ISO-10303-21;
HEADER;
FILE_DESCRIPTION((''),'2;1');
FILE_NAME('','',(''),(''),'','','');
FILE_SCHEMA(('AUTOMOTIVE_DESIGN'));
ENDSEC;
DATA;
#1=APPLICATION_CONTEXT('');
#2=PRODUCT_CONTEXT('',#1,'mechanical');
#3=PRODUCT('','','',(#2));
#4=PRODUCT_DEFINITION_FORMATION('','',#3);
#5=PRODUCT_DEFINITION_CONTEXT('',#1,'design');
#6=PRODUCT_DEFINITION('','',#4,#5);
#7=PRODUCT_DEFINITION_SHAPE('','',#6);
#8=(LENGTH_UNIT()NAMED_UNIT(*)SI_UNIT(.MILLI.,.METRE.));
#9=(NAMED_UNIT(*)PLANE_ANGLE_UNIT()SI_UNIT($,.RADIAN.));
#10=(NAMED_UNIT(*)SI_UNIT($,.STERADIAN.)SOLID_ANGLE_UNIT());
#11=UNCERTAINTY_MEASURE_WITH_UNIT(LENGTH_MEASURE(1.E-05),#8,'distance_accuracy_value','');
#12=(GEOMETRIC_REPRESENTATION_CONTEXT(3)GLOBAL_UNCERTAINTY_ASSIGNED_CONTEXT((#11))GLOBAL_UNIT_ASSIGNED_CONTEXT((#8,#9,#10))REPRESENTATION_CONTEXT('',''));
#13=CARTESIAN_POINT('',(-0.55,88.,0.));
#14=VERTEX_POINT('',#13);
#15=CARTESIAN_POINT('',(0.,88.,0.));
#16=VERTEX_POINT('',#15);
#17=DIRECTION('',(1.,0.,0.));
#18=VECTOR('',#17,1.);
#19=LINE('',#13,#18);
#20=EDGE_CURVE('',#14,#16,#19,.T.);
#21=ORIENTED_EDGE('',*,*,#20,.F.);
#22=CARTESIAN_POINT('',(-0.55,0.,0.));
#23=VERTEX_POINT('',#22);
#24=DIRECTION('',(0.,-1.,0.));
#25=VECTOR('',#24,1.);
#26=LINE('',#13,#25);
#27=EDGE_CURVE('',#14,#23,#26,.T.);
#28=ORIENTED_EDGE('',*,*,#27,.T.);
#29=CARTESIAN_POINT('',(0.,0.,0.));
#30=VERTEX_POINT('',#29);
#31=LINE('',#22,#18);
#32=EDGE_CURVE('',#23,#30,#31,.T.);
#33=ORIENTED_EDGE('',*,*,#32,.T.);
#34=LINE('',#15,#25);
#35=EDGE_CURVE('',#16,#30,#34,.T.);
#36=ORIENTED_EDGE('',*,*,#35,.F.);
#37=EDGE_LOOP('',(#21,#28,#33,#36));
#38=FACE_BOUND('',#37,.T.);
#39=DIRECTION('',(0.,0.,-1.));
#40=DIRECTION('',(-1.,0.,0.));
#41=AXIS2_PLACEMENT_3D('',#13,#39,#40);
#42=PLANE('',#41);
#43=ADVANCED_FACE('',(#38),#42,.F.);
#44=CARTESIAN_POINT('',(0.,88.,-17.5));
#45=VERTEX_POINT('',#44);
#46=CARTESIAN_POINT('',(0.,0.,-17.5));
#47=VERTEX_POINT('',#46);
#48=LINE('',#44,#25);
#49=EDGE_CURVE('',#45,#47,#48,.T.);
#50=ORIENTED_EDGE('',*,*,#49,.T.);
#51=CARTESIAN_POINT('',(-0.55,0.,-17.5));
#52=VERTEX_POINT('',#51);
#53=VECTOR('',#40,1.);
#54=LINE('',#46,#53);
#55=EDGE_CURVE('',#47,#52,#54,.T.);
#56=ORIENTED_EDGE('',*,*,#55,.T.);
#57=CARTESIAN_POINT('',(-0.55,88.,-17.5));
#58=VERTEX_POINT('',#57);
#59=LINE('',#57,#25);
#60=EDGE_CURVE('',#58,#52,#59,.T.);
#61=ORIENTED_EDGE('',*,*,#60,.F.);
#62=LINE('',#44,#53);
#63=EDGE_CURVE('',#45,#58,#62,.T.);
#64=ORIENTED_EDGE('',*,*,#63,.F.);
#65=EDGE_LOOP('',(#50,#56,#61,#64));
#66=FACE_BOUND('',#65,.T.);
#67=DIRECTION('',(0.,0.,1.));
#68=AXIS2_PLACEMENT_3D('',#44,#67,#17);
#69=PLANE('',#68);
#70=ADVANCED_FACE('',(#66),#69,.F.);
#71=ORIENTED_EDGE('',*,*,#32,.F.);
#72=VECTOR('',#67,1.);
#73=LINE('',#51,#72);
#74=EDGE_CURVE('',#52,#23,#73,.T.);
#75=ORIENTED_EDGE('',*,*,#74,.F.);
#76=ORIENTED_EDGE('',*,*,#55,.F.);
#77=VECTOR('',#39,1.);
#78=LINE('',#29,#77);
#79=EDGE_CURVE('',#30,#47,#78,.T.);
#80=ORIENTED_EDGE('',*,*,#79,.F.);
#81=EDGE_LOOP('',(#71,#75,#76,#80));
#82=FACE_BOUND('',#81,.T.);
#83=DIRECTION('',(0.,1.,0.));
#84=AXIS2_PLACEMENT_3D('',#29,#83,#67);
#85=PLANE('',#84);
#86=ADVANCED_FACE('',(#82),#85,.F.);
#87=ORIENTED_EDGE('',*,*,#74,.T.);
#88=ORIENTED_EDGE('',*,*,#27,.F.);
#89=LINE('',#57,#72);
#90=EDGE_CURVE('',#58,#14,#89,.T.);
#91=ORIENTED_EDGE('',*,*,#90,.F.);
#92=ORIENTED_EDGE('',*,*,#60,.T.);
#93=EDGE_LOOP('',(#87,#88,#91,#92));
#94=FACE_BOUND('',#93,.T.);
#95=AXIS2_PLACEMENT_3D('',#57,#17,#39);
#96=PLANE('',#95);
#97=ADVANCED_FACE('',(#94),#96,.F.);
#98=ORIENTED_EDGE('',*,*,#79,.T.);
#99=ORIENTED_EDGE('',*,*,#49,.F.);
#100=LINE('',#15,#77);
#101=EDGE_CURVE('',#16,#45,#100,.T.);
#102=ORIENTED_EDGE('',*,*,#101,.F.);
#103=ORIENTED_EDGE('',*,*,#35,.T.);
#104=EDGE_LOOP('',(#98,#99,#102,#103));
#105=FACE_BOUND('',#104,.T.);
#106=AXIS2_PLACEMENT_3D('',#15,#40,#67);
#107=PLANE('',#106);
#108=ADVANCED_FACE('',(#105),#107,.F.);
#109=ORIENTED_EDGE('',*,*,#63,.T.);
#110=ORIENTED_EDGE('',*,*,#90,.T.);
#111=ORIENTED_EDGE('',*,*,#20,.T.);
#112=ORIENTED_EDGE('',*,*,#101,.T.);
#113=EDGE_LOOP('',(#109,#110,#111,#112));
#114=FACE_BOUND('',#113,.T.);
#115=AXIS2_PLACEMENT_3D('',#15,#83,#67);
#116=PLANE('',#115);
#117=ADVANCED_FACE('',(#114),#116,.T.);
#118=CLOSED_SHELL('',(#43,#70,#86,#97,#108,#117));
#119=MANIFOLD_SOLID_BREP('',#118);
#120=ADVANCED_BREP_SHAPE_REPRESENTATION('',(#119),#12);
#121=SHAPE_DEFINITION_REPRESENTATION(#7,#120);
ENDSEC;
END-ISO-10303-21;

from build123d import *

# Parameters (mm, degrees)
PROFILE_SKETCH_W      = 0.55
PROFILE_SKETCH_H      = 17.5
PROFILE_EXTRUDE_DEPTH = 88


with BuildPart() as part:
    # Profile Sketch → Profile Extrude (new body)
    with BuildSketch(Plane(origin=(0.045617437, 0, -0.024209872), x_dir=(-1, 0, 0), z_dir=(0, 1, 0))):
        with Locations((0.320617437, -8.725790128)):
            Rectangle(PROFILE_SKETCH_W, PROFILE_SKETCH_H)
    extrude(amount=PROFILE_EXTRUDE_DEPTH)


solid = part.part
